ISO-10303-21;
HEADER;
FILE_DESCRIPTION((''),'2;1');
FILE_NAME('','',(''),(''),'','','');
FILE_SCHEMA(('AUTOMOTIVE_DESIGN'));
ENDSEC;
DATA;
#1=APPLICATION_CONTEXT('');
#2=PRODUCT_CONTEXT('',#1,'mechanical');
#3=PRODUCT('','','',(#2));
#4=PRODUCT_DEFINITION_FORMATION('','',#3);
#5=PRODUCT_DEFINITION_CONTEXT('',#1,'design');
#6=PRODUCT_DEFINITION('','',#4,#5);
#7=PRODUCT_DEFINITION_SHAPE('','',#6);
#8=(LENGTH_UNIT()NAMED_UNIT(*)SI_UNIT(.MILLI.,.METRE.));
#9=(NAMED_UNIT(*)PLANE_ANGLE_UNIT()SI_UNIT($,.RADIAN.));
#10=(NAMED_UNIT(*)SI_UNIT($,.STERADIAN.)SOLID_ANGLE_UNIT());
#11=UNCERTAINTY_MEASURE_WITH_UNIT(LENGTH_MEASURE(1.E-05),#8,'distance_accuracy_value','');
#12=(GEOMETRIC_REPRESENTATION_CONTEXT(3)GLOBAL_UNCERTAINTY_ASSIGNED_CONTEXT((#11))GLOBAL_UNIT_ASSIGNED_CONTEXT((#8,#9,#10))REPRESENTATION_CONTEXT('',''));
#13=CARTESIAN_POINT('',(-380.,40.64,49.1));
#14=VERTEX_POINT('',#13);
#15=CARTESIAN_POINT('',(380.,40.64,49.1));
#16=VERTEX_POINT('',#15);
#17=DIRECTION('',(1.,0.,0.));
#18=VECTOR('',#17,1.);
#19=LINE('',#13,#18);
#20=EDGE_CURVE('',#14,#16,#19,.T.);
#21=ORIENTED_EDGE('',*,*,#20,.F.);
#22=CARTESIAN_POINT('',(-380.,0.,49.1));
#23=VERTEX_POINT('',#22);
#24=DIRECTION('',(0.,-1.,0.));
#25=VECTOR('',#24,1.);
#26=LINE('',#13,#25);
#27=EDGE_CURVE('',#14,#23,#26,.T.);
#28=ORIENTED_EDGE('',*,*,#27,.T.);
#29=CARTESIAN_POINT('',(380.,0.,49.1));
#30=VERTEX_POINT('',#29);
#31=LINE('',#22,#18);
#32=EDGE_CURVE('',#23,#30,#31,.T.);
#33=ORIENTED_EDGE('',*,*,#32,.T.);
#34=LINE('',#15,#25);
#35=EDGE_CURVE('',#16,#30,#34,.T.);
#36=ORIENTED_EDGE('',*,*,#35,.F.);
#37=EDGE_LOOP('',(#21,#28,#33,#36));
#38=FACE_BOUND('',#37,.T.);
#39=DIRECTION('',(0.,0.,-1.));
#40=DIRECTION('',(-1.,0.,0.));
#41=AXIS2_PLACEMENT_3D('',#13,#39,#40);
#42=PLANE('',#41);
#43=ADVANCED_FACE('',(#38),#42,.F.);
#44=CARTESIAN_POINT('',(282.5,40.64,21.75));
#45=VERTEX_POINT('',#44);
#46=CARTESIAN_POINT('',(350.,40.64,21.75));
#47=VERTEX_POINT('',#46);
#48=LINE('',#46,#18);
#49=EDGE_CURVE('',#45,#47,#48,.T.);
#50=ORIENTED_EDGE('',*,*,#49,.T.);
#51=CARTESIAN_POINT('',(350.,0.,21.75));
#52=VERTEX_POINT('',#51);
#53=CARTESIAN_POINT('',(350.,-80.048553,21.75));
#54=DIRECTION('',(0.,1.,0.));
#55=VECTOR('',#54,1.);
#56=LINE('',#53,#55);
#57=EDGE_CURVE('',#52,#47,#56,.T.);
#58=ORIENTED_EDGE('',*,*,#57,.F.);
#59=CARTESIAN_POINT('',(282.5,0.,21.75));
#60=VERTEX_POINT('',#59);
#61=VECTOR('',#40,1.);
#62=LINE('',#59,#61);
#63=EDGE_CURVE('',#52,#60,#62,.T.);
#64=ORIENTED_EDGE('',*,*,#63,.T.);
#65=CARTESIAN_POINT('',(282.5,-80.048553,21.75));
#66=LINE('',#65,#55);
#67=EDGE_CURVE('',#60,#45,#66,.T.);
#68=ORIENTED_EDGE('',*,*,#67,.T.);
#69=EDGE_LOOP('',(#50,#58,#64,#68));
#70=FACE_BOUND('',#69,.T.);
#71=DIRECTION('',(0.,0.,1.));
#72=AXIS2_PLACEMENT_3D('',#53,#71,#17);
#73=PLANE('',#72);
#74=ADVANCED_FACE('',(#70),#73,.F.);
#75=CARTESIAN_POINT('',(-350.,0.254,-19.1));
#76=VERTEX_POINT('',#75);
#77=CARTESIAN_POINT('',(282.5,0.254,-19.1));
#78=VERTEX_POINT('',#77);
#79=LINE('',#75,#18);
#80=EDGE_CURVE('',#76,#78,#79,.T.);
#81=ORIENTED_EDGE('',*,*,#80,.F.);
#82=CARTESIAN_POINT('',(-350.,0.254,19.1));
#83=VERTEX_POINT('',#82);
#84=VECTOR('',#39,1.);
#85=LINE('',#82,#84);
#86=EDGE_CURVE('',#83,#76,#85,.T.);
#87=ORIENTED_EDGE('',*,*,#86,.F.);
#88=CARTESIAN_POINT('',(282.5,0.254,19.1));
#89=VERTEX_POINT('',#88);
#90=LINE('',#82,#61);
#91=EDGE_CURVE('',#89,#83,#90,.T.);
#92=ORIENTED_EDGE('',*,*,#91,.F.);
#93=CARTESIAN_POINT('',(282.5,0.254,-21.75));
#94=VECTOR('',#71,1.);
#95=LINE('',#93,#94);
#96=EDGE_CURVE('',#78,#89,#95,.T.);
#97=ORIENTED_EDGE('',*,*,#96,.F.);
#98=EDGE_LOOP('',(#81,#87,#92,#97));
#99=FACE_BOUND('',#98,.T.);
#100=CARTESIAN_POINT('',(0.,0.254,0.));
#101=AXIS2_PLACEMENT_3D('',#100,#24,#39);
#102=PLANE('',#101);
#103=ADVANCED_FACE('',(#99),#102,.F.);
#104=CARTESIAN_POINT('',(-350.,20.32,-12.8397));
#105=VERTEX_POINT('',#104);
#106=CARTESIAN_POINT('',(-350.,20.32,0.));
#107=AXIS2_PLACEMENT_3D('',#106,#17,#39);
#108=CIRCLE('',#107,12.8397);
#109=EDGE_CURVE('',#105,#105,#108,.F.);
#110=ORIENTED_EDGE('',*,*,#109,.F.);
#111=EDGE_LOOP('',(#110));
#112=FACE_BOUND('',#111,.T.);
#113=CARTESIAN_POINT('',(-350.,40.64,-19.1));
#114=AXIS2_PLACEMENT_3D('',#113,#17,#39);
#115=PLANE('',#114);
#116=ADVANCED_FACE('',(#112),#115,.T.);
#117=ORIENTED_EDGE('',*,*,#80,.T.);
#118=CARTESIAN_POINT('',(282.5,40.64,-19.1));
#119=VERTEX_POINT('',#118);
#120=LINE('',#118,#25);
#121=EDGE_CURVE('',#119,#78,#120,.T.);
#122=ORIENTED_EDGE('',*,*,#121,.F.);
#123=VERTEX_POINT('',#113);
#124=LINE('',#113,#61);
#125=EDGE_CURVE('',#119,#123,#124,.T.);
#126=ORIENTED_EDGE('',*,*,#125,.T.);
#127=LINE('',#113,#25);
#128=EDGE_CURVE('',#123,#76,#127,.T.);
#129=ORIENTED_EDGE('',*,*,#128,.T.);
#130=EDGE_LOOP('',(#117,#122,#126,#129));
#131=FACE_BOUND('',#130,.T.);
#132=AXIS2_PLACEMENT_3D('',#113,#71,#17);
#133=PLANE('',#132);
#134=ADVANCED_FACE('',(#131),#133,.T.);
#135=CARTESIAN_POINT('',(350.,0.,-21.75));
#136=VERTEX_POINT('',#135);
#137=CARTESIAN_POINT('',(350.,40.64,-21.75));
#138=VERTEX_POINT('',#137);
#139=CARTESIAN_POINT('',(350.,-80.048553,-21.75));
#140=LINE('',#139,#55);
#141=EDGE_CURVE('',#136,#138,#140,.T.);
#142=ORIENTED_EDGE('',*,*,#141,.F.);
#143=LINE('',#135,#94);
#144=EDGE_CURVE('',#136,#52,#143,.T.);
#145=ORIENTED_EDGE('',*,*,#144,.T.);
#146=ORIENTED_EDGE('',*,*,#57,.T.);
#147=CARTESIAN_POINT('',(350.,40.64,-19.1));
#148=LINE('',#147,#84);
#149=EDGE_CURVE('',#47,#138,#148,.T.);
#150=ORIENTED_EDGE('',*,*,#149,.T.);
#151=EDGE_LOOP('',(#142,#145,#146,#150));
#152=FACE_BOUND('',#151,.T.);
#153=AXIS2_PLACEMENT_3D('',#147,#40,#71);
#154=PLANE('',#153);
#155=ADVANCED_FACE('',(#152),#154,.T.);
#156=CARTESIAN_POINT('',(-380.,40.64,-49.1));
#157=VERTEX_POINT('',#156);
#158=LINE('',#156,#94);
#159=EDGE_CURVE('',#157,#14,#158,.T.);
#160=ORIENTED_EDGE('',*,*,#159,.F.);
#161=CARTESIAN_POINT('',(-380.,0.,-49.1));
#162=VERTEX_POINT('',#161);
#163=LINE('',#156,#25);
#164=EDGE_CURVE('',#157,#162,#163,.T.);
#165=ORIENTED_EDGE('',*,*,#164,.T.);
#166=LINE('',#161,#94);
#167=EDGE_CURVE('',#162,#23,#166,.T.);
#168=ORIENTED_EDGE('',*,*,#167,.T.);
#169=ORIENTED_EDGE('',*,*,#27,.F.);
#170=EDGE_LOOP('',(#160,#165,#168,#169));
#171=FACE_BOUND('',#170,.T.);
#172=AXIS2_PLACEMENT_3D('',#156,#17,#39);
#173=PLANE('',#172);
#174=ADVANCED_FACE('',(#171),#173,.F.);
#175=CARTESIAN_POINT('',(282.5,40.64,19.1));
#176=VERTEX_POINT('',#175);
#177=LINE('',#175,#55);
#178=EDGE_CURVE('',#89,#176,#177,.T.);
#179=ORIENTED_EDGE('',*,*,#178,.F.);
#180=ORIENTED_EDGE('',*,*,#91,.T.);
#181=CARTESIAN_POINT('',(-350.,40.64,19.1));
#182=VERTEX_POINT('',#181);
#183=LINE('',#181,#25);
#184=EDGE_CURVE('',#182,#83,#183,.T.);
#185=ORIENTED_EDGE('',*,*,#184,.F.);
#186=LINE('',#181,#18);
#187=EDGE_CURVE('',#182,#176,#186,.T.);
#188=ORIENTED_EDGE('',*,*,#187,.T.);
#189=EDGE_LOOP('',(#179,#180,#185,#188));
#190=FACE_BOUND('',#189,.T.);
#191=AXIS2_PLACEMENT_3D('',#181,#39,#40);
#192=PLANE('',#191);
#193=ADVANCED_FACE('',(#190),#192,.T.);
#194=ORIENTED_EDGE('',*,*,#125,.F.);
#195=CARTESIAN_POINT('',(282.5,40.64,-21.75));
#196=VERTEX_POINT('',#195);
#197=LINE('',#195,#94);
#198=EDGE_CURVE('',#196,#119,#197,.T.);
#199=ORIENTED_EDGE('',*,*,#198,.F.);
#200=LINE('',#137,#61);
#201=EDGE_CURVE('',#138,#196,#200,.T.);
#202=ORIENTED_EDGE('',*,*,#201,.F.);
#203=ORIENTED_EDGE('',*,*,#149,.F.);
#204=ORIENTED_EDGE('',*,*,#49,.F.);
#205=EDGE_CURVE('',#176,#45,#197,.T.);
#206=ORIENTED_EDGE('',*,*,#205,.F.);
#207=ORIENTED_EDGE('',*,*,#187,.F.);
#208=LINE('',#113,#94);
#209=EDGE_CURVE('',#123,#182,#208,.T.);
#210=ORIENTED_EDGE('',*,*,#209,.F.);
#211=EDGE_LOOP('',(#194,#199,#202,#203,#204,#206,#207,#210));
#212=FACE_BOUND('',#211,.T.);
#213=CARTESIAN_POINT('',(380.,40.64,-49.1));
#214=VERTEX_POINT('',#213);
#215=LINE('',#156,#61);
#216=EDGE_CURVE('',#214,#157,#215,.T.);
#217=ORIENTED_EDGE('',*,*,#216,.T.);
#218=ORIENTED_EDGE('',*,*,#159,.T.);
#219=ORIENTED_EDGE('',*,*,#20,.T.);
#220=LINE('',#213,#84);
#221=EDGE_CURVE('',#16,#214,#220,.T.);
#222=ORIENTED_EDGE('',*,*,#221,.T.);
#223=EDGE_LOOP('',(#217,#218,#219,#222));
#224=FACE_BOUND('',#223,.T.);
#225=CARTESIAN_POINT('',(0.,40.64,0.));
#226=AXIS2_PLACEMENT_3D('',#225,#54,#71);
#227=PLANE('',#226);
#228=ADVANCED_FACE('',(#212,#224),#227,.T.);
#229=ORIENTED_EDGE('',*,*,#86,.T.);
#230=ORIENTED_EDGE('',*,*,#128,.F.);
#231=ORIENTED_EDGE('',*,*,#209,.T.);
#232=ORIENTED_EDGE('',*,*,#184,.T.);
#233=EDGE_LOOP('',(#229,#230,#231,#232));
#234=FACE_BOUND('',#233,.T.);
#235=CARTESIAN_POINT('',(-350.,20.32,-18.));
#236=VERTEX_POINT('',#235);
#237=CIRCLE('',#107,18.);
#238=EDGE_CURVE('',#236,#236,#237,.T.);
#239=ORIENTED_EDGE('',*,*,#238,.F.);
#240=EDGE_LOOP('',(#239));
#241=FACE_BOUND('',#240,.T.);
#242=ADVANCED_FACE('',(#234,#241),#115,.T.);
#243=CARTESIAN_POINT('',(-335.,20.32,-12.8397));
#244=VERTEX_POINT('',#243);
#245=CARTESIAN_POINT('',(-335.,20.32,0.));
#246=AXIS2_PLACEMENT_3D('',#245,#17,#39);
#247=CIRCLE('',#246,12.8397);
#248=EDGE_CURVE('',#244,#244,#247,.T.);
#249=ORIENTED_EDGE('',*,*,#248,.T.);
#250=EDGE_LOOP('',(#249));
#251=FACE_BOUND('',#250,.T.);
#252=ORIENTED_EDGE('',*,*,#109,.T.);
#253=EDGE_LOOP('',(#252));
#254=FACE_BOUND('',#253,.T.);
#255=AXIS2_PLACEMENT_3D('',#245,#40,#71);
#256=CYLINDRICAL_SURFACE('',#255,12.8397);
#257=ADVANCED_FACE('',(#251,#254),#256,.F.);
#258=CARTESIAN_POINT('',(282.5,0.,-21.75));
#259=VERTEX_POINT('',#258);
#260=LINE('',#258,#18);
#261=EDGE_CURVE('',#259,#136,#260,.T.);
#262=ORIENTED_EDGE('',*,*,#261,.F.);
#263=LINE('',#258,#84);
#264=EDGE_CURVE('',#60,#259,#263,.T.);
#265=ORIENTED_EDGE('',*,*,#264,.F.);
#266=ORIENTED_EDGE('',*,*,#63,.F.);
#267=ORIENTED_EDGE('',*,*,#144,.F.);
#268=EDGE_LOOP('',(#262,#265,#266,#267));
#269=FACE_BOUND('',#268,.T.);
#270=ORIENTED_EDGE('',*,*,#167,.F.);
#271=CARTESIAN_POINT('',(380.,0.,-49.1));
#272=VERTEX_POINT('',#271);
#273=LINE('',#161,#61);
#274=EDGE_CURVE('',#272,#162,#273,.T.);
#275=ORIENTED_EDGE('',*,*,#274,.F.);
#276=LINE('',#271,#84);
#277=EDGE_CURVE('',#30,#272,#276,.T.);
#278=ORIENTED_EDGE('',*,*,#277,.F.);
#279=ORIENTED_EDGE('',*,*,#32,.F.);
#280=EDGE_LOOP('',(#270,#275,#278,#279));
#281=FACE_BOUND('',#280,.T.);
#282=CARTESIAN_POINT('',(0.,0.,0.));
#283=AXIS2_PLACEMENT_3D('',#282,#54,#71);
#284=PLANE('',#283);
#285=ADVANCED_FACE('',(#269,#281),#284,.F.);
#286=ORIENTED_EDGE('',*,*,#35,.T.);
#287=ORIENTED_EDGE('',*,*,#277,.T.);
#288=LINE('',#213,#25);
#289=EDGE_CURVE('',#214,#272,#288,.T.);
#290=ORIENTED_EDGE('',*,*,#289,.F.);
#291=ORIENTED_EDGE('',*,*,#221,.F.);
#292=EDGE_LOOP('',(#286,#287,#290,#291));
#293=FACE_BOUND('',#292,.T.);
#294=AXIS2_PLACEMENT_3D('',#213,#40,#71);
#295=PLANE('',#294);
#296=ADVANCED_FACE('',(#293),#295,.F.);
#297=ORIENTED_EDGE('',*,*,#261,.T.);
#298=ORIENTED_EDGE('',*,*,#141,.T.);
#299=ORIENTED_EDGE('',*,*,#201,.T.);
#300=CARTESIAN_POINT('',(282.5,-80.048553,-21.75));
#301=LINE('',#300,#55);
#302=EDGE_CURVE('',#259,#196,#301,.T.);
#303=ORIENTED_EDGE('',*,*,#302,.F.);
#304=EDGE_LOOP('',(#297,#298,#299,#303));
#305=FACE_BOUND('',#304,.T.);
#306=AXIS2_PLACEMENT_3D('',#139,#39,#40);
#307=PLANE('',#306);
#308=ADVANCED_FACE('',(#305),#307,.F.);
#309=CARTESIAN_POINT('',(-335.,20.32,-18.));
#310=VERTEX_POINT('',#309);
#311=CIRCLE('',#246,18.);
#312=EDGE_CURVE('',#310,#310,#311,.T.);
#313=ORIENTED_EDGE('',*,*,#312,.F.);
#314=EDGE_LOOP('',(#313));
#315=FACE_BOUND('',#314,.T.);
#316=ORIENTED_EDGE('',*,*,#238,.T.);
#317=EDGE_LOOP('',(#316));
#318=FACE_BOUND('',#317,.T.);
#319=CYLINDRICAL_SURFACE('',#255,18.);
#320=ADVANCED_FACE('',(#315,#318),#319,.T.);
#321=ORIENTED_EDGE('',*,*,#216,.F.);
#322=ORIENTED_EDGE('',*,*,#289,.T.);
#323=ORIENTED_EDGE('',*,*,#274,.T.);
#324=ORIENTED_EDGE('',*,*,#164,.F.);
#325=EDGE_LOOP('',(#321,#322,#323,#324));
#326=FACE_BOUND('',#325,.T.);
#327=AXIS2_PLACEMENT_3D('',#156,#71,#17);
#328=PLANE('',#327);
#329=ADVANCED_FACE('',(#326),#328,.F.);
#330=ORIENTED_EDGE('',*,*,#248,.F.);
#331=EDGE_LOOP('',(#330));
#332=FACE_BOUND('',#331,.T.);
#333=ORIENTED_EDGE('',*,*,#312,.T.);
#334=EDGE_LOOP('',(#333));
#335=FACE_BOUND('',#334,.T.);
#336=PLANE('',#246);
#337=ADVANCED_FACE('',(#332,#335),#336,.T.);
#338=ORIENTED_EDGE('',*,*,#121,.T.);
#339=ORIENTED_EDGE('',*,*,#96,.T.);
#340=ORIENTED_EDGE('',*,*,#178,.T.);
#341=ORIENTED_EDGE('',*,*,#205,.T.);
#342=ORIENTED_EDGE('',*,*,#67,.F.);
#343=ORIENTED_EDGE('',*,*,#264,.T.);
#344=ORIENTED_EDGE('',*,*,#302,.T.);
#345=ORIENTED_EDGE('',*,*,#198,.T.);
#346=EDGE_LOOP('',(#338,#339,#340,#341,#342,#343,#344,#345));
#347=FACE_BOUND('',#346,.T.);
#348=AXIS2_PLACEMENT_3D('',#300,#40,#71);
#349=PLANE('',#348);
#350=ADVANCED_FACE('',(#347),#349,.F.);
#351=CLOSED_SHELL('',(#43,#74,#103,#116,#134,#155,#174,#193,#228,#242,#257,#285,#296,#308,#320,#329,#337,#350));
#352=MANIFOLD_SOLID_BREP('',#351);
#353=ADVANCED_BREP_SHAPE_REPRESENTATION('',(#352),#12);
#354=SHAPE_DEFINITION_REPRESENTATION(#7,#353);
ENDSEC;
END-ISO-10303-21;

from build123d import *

# Parameters (mm, degrees)
SKETCH1_W           = 760
SKETCH1_H           = 98.2
SKETCH1_W_2         = 700
SKETCH1_H_2         = 38.2
BOSS_EXTRUDE3_DEPTH = 40.64
SKETCH2_W           = 700
SKETCH2_H           = 38.2
BOSS_EXTRUDE4_DEPTH = 0.254
SKETCH3_W           = 67.5
SKETCH3_H           = 43.5
CUT_EXTRUDE1_DEPTH  = 40.386
CUT_EXTRUDE5_REACH  = 387.308
SKETCH5_W           = 67.5
SKETCH5_H           = 43.5
SKETCH6_R           = 18
SKETCH6_R_2         = 12.8397
BOSS_EXTRUDE5_DEPTH = 15


with BuildPart() as part:
    # Sketch1 → Boss-Extrude3 (new body)
    with BuildSketch(Plane(origin=(0, 0, 0), x_dir=(1, 0, 0), z_dir=(0, 1, 0))):
        Rectangle(SKETCH1_W, SKETCH1_H)
        Rectangle(SKETCH1_W_2, SKETCH1_H_2, mode=Mode.SUBTRACT)
    extrude(amount=BOSS_EXTRUDE3_DEPTH)

    # Sketch2 → Boss-Extrude4 (add)
    with BuildSketch(Plane.XZ):
        Rectangle(SKETCH2_W, SKETCH2_H)
    extrude(amount=-BOSS_EXTRUDE4_DEPTH)

    # Sketch3 → Cut-Extrude1 (cut)
    with BuildSketch(Plane(origin=(0, 40.64, 0), x_dir=(1, 0, 0), z_dir=(0, 1, 0))):
        with Locations((316.25, 0)):
            Rectangle(SKETCH3_W, SKETCH3_H)
    extrude(amount=-CUT_EXTRUDE1_DEPTH, mode=Mode.SUBTRACT)

    # Sketch5 → Cut-Extrude5 (cut, up to next)
    with BuildSketch(Plane(origin=(0, 40.64, 0), x_dir=(1, 0, 0), z_dir=(0, 1, 0)), mode=Mode.PRIVATE) as cut_extrude5_sk1:
        with Locations((316.25, 0)):
            Rectangle(SKETCH5_W, SKETCH5_H)
    cut_extrude5_tool1 = extrude(cut_extrude5_sk1.sketch, amount=-CUT_EXTRUDE5_REACH, mode=Mode.PRIVATE) & part.part
    add(cut_extrude5_tool1.solids().sort_by_distance((316.25, 40.64, 0))[0], mode=Mode.SUBTRACT)

    # Sketch6 → Boss-Extrude5 (add)
    with BuildSketch(Plane(origin=(-350, 0, 0), x_dir=(0, 0, -1), z_dir=(1, 0, 0))):
        with Locations((0, 20.32)):
            Circle(SKETCH6_R)
        with Locations((0, 20.32)):
            Circle(SKETCH6_R_2, mode=Mode.SUBTRACT)
    extrude(amount=BOSS_EXTRUDE5_DEPTH)


solid = part.part
